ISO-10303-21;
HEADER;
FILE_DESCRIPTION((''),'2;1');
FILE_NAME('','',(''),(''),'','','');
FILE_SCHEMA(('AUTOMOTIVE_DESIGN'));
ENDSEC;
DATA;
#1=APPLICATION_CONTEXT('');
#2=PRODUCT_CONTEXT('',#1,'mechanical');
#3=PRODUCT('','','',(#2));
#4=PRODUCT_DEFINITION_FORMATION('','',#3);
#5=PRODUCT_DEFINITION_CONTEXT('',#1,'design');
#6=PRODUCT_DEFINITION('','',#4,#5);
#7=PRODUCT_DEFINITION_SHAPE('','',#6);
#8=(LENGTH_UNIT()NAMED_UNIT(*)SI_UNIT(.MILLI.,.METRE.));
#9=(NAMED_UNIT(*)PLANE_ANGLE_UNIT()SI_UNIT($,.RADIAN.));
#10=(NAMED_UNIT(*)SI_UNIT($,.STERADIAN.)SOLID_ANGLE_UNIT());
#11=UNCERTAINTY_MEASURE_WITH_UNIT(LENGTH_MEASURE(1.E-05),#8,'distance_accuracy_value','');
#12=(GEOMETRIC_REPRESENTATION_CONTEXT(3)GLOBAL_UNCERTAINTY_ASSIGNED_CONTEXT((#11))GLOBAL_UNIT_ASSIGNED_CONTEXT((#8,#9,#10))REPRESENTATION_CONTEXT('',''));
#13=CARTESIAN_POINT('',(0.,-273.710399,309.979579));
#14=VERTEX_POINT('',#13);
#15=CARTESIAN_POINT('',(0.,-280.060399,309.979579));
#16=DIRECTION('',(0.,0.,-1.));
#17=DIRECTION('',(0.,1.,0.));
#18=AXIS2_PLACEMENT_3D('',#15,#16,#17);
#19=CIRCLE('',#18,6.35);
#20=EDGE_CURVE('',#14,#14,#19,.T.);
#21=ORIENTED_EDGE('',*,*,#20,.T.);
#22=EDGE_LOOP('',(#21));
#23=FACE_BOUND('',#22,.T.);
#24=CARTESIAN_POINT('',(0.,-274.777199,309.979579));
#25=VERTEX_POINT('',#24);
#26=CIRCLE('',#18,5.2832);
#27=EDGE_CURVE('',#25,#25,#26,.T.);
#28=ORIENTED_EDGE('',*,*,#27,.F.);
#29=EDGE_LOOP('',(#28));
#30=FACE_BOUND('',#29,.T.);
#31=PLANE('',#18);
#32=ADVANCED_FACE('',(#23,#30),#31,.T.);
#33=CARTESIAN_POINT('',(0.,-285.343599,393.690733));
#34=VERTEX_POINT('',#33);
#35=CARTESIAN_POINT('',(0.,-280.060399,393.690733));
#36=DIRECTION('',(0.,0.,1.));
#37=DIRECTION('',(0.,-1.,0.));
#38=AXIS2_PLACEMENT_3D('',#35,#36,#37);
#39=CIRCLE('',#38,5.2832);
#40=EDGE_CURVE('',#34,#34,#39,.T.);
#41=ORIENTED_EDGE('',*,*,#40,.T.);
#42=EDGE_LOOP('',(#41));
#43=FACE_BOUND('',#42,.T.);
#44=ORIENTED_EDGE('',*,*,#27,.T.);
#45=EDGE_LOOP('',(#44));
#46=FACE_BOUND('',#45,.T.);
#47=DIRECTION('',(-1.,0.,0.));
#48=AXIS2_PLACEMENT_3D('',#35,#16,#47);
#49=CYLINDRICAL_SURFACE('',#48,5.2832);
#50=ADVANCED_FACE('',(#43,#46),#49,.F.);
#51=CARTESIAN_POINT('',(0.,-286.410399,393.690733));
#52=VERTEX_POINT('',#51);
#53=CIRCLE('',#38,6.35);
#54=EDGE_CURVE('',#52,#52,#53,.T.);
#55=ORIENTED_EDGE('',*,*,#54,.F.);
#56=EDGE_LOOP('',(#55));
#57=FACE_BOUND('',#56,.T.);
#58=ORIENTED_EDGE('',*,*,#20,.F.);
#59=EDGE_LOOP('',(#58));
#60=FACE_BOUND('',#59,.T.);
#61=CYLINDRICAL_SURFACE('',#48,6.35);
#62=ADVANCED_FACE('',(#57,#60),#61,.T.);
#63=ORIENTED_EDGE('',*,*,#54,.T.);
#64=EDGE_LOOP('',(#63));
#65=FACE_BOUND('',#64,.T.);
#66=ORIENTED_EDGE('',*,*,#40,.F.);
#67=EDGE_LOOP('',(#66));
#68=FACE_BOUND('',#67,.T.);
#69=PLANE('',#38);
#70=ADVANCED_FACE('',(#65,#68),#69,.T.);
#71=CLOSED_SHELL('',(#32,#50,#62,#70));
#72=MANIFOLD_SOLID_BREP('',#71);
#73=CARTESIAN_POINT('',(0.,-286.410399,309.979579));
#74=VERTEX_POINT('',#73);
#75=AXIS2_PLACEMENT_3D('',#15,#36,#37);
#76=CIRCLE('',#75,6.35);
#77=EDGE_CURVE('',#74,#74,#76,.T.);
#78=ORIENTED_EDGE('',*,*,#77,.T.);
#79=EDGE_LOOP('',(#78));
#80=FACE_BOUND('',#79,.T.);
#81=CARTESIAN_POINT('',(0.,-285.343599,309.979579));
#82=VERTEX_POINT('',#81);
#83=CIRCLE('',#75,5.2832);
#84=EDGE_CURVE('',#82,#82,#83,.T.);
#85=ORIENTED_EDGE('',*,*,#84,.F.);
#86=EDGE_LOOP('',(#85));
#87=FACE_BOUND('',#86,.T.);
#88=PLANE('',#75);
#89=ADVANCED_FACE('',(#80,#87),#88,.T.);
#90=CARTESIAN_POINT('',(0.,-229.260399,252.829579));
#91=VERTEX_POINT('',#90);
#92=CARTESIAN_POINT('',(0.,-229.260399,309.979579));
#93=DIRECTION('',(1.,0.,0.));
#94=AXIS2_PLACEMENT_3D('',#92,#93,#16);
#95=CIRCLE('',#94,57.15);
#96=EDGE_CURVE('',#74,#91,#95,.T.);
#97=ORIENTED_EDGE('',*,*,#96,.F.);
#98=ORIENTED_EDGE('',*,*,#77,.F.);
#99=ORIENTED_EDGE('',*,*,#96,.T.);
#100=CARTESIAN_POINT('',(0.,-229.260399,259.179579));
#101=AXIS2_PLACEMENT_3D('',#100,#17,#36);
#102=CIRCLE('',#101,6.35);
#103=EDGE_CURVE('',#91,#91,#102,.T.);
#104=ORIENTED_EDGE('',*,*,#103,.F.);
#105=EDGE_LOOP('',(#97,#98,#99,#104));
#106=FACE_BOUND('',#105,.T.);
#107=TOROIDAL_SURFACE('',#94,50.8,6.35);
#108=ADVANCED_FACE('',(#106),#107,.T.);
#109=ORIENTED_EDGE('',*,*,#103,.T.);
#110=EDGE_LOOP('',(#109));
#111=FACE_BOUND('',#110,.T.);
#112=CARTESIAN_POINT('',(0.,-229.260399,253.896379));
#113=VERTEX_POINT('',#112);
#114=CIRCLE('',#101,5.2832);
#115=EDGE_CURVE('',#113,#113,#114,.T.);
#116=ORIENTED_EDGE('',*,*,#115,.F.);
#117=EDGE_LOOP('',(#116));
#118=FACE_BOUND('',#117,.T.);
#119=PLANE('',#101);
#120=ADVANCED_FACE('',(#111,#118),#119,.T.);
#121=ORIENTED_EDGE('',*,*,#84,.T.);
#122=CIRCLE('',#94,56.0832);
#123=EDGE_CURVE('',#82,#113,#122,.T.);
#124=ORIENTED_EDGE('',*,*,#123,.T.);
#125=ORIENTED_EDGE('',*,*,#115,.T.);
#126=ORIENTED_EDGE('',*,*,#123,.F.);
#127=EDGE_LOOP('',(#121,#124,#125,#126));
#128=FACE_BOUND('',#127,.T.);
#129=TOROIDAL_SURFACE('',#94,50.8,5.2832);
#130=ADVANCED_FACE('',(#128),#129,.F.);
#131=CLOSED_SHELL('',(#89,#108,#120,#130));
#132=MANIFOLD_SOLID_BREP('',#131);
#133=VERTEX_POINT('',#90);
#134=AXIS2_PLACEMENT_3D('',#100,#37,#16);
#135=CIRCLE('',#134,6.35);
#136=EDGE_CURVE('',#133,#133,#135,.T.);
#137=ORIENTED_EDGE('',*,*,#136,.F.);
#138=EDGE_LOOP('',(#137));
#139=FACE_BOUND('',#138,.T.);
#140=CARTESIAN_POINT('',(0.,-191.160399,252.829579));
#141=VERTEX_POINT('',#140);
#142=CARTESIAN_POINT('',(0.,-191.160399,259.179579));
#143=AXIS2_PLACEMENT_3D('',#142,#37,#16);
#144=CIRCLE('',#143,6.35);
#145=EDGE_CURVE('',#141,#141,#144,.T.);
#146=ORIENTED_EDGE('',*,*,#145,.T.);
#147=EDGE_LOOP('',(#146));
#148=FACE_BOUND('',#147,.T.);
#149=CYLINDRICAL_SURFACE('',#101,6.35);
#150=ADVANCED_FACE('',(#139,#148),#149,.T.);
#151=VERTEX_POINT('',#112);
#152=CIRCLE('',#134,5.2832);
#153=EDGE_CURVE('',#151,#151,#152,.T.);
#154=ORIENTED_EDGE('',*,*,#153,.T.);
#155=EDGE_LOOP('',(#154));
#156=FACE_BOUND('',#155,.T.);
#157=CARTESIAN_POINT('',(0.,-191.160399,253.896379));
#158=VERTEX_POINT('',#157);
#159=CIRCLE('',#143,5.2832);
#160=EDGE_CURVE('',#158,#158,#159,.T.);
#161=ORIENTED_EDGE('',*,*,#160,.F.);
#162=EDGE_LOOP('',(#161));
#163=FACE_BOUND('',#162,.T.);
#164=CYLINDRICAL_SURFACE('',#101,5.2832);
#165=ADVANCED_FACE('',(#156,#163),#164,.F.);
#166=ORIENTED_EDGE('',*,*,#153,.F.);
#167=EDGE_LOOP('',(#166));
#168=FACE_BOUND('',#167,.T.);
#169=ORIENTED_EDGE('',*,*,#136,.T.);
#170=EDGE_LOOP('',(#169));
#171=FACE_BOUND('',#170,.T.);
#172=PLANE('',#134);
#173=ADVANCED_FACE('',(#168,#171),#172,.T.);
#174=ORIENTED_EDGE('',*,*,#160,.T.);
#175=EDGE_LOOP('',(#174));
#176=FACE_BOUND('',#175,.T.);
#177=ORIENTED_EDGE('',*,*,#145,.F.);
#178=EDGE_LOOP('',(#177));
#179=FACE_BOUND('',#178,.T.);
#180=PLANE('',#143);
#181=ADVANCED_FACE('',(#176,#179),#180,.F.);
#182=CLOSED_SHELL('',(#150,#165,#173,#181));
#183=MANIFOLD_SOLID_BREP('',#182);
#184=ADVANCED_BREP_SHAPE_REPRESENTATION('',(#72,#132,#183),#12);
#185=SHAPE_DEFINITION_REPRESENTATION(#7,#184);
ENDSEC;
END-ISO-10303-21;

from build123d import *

# Parameters (mm, degrees)
SKETCH1_R                 = 6.35
SKETCH1_R_2               = 5.2832
PIPE_0_5_SCH_40_1_DEPTH   = 38.1
SKETCH1_ON_SEGMENT_2_R    = 6.35
SKETCH1_ON_SEGMENT_2_R_2  = 5.2832
PIPE_0_5_SCH_40_1_2_ANGLE = 90
SKETCH1_ON_SEGMENT_3_R    = 6.35
SKETCH1_ON_SEGMENT_3_R_2  = 5.2832
PIPE_0_5_SCH_40_1_3_DEPTH = 83.711153487


with BuildPart() as part:
    # Sketch1 → Pipe 0.5 SCH 40(1) (new body)
    with BuildSketch(Plane(origin=(0, -191.160399283, 259.179579455), x_dir=(0, 0, -1), z_dir=(0, -1, 0))):
        Circle(SKETCH1_R)
        Circle(SKETCH1_R_2, mode=Mode.SUBTRACT)
    extrude(amount=PIPE_0_5_SCH_40_1_DEPTH)


with BuildPart() as body_2:
    # Sketch1 on segment 2 (carried to the start of arc 2) → Pipe 0.5 SCH 40_1 2 (revolve)
    with BuildSketch(Plane(origin=(0, -229.260399283, 259.179579455), x_dir=(0, 0, -1), z_dir=(0, -1, 0))):
        Circle(SKETCH1_ON_SEGMENT_2_R)
        Circle(SKETCH1_ON_SEGMENT_2_R_2, mode=Mode.SUBTRACT)
    revolve(axis=Axis((0, -229.260399283, 309.979579455), (-1, 0, 0)), revolution_arc=PIPE_0_5_SCH_40_1_2_ANGLE)


with BuildPart() as body_3:
    # Sketch1 on segment 3 (carried to segment 3) → Pipe 0.5 SCH 40_1 3 (new body)
    with BuildSketch(Plane(origin=(0, -280.060399283, 309.979579455), x_dir=(0, -1, 0), z_dir=(0, 0, 1))):
        Circle(SKETCH1_ON_SEGMENT_3_R)
        Circle(SKETCH1_ON_SEGMENT_3_R_2, mode=Mode.SUBTRACT)
    extrude(amount=PIPE_0_5_SCH_40_1_3_DEPTH)


solid = Compound([part.part, body_2.part, body_3.part])
